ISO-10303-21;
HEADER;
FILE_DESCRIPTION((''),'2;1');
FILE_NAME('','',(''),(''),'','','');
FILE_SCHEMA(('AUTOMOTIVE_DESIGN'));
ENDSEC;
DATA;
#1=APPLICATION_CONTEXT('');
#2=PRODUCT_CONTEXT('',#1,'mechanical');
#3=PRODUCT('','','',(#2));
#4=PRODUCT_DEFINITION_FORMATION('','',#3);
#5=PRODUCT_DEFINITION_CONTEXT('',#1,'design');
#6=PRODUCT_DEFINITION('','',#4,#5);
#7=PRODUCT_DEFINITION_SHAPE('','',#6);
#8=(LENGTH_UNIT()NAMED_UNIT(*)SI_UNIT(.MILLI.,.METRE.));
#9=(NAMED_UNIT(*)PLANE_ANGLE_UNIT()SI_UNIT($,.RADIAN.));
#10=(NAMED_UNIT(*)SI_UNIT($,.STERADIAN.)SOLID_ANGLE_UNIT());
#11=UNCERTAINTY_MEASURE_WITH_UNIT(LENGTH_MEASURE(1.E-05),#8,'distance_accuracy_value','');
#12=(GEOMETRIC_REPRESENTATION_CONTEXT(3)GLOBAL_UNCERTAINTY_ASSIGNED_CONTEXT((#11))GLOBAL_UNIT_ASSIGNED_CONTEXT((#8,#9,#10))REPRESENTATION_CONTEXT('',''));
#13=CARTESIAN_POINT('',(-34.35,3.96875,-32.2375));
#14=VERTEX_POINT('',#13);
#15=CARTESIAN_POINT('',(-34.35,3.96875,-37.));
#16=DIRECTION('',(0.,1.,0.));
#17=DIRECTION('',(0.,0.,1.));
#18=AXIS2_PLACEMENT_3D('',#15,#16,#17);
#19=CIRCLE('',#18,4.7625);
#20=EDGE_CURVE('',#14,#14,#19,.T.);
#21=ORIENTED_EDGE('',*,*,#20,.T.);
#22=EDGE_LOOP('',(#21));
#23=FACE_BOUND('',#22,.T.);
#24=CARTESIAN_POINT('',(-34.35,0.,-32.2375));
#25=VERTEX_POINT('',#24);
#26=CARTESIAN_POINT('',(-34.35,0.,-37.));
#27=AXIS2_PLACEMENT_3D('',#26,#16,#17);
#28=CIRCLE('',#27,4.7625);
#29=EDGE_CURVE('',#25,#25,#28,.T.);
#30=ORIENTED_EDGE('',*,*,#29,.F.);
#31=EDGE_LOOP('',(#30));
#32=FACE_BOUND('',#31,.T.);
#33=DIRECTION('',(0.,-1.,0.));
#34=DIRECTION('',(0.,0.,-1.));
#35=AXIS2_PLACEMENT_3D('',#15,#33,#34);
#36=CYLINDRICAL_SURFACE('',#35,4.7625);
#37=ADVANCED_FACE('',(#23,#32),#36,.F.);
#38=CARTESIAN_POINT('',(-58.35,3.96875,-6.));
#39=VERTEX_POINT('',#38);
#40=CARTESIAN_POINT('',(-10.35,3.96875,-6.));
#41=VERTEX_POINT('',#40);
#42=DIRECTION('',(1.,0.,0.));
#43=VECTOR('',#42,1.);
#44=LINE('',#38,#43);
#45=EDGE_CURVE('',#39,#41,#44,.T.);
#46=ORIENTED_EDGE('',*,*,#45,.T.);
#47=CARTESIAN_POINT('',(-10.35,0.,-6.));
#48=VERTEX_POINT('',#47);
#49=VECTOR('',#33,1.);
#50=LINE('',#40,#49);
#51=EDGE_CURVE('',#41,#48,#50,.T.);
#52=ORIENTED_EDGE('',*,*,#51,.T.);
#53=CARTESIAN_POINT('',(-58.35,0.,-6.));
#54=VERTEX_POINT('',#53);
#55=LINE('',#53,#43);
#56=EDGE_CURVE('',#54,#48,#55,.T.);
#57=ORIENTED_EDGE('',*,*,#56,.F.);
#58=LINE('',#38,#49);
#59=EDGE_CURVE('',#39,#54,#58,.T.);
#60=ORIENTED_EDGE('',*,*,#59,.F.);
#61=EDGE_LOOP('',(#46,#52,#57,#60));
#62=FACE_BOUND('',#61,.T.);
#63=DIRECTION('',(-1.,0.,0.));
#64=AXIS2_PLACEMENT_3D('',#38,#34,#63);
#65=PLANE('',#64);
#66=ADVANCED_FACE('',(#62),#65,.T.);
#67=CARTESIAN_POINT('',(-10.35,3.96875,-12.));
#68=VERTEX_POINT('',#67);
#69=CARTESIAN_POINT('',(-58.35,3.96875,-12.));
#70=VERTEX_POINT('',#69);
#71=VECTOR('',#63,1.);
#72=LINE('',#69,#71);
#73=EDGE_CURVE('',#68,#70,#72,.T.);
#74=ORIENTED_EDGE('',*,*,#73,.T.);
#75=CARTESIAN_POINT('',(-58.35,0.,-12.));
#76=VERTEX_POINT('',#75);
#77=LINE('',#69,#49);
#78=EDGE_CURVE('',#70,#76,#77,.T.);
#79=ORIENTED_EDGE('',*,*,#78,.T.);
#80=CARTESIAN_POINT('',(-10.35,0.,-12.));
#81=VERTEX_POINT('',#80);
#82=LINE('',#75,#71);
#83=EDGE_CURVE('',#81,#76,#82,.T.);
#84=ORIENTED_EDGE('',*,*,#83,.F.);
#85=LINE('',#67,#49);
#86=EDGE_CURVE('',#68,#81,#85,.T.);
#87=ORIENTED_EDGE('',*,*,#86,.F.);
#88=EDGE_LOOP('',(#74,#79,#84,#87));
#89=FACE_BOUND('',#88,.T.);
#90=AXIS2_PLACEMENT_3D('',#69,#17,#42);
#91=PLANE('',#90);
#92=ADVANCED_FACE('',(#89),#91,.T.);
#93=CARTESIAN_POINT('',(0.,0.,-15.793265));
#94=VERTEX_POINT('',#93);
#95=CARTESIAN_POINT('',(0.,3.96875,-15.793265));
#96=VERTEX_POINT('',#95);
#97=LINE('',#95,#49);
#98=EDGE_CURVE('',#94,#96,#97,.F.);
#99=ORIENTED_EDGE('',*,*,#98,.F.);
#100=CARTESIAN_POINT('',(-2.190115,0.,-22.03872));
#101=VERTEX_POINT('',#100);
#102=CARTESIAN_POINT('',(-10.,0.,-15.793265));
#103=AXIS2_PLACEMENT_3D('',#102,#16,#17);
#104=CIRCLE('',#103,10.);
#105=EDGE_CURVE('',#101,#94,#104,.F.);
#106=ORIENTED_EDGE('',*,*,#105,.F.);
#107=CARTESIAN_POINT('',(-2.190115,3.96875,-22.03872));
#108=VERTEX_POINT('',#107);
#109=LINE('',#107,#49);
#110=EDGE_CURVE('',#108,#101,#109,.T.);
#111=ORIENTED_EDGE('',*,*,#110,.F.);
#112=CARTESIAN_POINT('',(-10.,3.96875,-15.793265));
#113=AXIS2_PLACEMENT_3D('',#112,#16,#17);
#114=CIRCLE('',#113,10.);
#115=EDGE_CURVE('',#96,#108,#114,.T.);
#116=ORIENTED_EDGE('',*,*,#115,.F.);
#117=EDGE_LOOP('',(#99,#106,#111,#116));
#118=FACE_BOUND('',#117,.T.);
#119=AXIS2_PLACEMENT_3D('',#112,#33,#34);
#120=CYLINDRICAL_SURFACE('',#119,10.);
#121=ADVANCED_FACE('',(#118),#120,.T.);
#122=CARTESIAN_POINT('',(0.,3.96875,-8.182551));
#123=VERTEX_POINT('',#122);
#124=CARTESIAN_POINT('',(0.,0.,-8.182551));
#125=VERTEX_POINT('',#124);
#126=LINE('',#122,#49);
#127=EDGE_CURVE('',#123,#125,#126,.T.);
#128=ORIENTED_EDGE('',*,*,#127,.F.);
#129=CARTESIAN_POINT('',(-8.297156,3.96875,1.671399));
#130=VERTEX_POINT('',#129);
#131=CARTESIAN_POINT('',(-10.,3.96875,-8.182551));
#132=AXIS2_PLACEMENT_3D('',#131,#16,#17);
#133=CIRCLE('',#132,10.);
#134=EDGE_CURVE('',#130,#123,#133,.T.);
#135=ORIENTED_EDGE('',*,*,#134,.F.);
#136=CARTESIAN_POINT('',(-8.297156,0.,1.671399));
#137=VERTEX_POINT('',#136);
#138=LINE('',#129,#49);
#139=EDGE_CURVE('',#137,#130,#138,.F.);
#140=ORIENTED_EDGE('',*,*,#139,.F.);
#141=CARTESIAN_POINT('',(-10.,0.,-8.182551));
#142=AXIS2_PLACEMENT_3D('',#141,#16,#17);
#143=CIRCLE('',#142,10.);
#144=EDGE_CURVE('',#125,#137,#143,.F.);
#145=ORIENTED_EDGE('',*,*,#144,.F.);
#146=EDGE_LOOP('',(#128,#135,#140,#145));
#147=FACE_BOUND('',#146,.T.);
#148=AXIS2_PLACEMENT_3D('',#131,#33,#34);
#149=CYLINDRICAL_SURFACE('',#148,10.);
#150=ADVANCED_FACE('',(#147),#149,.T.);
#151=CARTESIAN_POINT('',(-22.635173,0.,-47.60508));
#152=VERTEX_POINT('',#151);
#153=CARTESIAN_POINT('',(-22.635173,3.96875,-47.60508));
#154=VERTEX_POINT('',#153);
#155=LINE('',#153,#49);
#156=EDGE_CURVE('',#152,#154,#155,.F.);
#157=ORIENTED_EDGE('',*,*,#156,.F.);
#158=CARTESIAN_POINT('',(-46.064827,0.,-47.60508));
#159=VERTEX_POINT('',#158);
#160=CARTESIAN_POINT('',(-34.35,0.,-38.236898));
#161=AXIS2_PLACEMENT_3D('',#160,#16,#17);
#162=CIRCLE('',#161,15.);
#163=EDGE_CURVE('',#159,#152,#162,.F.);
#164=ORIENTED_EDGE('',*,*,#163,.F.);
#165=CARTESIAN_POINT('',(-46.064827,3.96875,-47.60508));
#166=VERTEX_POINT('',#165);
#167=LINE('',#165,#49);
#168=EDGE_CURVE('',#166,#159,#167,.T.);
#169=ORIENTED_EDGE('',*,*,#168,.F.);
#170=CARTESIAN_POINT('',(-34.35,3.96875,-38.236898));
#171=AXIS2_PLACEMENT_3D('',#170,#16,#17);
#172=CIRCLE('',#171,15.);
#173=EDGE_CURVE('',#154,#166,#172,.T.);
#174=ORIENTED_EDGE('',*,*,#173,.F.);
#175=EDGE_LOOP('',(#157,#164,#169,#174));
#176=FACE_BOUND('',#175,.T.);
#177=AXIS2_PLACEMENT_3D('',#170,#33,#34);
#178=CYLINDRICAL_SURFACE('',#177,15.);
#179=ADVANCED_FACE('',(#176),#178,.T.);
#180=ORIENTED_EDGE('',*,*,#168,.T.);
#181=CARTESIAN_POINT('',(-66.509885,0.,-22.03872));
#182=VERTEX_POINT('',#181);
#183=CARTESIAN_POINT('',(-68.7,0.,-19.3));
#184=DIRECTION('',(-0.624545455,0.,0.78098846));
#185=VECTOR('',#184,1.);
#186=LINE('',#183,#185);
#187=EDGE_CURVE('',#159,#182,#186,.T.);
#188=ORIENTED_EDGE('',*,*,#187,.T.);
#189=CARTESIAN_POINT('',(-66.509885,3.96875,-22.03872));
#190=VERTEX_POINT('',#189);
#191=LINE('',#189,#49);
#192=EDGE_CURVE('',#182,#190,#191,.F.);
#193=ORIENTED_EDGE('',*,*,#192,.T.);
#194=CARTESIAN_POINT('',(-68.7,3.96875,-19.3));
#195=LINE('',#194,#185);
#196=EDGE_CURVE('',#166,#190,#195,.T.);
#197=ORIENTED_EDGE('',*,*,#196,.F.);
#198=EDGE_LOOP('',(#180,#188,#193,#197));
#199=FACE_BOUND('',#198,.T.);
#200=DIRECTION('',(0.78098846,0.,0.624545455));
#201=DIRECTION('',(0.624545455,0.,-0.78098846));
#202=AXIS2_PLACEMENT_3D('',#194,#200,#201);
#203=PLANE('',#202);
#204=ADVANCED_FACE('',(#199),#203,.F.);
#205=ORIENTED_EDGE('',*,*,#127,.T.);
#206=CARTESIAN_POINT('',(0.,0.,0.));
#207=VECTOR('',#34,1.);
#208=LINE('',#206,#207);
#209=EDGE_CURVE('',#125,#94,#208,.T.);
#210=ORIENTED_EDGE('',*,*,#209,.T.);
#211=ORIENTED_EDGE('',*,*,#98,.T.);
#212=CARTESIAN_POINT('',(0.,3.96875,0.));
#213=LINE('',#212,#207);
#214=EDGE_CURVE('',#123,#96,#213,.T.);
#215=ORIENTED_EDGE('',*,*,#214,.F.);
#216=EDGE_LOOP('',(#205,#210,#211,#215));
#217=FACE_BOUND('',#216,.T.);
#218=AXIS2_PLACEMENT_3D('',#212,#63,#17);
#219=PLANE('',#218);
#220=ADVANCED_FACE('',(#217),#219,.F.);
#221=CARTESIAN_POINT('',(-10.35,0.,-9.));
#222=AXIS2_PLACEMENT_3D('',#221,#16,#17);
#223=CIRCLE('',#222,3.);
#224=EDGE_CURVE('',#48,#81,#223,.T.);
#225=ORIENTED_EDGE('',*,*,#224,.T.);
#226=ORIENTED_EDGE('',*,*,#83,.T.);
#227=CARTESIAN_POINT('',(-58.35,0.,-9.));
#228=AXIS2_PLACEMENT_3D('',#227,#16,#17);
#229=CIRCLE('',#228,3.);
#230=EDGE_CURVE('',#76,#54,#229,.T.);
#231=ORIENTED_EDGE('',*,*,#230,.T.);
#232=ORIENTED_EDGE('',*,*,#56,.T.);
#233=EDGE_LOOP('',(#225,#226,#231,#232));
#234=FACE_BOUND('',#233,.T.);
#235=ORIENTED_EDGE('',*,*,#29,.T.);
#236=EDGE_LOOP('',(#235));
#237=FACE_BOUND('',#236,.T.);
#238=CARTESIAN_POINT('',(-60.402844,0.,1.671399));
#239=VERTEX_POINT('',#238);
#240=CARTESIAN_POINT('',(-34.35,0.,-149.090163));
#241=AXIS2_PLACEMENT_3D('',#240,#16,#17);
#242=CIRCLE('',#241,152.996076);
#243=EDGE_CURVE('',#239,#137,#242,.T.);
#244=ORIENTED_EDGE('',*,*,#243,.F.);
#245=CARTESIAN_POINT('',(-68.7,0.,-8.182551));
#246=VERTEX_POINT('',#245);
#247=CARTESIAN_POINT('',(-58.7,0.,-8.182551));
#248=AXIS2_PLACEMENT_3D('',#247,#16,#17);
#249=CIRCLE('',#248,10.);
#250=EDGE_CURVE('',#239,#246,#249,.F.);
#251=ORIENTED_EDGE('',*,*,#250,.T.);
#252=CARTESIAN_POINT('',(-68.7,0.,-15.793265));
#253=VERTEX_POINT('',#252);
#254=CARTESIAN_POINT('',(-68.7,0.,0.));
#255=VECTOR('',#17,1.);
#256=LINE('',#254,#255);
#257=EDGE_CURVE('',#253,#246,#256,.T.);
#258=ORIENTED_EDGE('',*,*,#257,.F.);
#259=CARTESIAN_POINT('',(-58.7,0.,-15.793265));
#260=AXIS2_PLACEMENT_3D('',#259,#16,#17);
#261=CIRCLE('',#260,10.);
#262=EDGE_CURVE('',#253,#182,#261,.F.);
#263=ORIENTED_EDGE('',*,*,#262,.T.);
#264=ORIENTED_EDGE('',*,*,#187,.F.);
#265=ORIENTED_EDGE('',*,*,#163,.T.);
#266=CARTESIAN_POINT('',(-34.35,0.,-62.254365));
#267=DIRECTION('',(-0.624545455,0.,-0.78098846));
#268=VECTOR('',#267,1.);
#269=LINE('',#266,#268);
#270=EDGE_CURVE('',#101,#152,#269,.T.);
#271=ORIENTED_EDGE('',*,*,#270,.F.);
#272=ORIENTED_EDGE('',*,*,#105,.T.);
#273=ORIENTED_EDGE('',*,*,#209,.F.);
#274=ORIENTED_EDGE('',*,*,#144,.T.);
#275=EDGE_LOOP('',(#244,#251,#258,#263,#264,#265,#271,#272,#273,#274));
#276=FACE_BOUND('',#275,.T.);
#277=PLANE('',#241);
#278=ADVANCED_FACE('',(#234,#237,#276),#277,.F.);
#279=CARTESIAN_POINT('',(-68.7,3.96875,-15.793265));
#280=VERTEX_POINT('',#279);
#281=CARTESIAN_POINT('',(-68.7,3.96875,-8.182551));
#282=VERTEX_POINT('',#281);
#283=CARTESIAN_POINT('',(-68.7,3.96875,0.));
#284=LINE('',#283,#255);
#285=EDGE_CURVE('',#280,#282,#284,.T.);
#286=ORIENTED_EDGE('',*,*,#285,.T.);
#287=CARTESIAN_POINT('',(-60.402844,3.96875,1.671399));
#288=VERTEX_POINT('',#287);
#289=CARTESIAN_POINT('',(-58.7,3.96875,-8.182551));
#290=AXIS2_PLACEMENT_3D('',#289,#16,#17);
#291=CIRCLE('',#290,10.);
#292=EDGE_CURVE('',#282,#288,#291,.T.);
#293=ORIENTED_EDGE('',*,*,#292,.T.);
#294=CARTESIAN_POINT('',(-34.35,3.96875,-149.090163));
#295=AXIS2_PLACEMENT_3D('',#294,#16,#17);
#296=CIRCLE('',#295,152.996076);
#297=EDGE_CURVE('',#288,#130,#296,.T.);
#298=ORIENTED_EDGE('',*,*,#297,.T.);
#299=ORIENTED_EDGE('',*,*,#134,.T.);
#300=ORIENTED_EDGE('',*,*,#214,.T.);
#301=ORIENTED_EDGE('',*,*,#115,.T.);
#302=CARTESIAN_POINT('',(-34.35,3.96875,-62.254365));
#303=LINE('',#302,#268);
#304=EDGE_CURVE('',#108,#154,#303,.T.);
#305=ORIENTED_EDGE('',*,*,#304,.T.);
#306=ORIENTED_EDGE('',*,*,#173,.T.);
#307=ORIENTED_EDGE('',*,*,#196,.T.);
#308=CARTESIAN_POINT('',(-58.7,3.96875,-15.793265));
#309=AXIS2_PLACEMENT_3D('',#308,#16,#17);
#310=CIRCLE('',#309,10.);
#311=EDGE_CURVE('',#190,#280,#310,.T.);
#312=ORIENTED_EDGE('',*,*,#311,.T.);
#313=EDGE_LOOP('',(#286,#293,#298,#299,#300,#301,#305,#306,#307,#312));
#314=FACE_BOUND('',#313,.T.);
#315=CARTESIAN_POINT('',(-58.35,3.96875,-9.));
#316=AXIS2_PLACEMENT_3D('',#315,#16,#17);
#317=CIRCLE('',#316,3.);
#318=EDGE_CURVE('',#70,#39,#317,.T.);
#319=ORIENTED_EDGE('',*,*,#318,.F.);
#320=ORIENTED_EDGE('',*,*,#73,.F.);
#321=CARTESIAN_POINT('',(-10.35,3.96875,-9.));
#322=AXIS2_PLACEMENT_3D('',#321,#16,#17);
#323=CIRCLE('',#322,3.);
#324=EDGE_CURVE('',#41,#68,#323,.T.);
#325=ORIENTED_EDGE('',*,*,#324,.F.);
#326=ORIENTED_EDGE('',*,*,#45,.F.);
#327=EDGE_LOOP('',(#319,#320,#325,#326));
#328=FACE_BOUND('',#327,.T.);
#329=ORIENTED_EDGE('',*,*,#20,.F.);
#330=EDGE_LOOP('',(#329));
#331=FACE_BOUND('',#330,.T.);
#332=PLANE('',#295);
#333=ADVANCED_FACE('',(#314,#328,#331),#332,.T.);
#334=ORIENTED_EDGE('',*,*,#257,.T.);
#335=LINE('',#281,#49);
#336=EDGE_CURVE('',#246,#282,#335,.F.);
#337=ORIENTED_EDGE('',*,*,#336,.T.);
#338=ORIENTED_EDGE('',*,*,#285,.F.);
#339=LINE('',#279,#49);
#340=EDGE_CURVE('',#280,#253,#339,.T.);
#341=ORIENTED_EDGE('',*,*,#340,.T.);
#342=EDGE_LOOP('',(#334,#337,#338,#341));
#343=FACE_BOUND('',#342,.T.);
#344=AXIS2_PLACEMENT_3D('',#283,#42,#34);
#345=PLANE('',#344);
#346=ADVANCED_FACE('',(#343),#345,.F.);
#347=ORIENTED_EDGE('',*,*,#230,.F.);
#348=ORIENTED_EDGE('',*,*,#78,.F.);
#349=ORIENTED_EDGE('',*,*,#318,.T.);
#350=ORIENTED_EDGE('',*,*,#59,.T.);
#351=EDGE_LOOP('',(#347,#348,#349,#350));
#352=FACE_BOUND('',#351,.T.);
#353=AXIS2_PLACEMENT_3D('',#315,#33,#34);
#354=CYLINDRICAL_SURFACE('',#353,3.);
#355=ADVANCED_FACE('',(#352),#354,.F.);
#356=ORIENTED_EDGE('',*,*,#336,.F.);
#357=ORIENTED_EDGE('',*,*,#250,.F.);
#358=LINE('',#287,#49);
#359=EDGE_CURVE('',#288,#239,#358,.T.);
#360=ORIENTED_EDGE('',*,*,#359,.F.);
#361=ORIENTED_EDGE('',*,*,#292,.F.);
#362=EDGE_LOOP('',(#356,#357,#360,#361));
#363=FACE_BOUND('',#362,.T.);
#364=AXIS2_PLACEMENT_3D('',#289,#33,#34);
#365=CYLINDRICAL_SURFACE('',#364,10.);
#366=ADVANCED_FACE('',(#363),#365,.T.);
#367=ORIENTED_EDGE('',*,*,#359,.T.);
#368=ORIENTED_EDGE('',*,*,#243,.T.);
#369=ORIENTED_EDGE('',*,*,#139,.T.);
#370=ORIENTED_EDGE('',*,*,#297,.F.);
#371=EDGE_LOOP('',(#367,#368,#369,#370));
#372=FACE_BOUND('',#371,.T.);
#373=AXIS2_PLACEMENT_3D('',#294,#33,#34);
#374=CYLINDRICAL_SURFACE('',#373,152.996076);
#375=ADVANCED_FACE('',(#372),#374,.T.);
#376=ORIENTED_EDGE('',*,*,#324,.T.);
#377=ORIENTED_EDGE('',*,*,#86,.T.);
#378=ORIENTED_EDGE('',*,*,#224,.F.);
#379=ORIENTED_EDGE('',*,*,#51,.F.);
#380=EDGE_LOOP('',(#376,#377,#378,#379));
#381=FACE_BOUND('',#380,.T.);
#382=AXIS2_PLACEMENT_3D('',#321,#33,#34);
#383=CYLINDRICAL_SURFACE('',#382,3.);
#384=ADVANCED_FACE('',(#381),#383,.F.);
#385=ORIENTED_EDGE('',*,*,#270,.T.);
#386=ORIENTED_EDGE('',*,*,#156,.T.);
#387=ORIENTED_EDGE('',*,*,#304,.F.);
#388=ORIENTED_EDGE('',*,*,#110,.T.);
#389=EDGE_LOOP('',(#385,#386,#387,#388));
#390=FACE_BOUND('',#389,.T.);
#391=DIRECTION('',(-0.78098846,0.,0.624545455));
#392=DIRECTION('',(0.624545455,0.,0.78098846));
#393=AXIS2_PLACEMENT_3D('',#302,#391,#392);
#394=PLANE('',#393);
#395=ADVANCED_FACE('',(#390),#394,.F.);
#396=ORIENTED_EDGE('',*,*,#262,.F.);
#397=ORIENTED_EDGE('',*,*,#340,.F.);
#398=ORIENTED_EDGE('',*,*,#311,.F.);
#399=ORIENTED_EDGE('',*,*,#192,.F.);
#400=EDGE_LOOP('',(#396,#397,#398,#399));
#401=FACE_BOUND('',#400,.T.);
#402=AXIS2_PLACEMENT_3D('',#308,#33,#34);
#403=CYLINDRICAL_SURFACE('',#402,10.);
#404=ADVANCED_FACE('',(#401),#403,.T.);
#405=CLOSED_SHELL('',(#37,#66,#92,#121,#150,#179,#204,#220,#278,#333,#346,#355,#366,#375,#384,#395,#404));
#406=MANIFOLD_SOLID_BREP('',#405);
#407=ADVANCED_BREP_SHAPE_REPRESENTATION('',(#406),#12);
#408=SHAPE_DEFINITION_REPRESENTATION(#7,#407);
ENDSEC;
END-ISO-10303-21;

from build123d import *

# Parameters (mm, degrees)
SKETCH1_R           = 4.7625
BOSS_EXTRUDE1_DEPTH = 3.96875
FILLET1_R           = 10
FILLET2_R           = 15


with BuildPart() as part:
    # Sketch1 → Boss-Extrude1 (new body)
    with BuildSketch(Plane(origin=(0, 0, 0), x_dir=(1, 0, 0), z_dir=(0, 1, 0))):
        with BuildLine():
            Line((-68.7, 0), (-68.7, 19.3))
            Line((-68.7, 19.3), (-34.35, 62.254365319))
            Line((-34.35, 62.254365319), (0, 19.3))
            Line((0, 19.3), (0, 0))
            ThreePointArc((0, 0), (-34.35, -3.905912777), (-68.7, 0))
        make_face()
        with Locations((-34.35, 37)):
            Circle(SKETCH1_R, mode=Mode.SUBTRACT)
        with BuildLine():
            Line((-58.35, 12), (-10.35, 12))
            ThreePointArc((-10.35, 12), (-7.35, 9), (-10.35, 6))
            Line((-10.35, 6), (-58.35, 6))
            ThreePointArc((-58.35, 6), (-61.35, 9), (-58.35, 12))
        make_face(mode=Mode.SUBTRACT)
    extrude(amount=BOSS_EXTRUDE1_DEPTH)

    # Fillet1
    fillet1_edges = [part.edges().sort_by_distance(p)[0] for p in [
        (-68.7, 1.984375, 0),
        (-68.7, 1.984375, -19.3),
        (0, 1.984375, -19.3),
        (0, 1.984375, 0),
    ]]
    fillet(fillet1_edges, radius=FILLET1_R)

    # Fillet2
    fillet2_edges = [part.edges().sort_by_distance(p)[0] for p in [
        (-34.35, 1.984375, -62.254365319),
    ]]
    fillet(fillet2_edges, radius=FILLET2_R)


solid = part.part
